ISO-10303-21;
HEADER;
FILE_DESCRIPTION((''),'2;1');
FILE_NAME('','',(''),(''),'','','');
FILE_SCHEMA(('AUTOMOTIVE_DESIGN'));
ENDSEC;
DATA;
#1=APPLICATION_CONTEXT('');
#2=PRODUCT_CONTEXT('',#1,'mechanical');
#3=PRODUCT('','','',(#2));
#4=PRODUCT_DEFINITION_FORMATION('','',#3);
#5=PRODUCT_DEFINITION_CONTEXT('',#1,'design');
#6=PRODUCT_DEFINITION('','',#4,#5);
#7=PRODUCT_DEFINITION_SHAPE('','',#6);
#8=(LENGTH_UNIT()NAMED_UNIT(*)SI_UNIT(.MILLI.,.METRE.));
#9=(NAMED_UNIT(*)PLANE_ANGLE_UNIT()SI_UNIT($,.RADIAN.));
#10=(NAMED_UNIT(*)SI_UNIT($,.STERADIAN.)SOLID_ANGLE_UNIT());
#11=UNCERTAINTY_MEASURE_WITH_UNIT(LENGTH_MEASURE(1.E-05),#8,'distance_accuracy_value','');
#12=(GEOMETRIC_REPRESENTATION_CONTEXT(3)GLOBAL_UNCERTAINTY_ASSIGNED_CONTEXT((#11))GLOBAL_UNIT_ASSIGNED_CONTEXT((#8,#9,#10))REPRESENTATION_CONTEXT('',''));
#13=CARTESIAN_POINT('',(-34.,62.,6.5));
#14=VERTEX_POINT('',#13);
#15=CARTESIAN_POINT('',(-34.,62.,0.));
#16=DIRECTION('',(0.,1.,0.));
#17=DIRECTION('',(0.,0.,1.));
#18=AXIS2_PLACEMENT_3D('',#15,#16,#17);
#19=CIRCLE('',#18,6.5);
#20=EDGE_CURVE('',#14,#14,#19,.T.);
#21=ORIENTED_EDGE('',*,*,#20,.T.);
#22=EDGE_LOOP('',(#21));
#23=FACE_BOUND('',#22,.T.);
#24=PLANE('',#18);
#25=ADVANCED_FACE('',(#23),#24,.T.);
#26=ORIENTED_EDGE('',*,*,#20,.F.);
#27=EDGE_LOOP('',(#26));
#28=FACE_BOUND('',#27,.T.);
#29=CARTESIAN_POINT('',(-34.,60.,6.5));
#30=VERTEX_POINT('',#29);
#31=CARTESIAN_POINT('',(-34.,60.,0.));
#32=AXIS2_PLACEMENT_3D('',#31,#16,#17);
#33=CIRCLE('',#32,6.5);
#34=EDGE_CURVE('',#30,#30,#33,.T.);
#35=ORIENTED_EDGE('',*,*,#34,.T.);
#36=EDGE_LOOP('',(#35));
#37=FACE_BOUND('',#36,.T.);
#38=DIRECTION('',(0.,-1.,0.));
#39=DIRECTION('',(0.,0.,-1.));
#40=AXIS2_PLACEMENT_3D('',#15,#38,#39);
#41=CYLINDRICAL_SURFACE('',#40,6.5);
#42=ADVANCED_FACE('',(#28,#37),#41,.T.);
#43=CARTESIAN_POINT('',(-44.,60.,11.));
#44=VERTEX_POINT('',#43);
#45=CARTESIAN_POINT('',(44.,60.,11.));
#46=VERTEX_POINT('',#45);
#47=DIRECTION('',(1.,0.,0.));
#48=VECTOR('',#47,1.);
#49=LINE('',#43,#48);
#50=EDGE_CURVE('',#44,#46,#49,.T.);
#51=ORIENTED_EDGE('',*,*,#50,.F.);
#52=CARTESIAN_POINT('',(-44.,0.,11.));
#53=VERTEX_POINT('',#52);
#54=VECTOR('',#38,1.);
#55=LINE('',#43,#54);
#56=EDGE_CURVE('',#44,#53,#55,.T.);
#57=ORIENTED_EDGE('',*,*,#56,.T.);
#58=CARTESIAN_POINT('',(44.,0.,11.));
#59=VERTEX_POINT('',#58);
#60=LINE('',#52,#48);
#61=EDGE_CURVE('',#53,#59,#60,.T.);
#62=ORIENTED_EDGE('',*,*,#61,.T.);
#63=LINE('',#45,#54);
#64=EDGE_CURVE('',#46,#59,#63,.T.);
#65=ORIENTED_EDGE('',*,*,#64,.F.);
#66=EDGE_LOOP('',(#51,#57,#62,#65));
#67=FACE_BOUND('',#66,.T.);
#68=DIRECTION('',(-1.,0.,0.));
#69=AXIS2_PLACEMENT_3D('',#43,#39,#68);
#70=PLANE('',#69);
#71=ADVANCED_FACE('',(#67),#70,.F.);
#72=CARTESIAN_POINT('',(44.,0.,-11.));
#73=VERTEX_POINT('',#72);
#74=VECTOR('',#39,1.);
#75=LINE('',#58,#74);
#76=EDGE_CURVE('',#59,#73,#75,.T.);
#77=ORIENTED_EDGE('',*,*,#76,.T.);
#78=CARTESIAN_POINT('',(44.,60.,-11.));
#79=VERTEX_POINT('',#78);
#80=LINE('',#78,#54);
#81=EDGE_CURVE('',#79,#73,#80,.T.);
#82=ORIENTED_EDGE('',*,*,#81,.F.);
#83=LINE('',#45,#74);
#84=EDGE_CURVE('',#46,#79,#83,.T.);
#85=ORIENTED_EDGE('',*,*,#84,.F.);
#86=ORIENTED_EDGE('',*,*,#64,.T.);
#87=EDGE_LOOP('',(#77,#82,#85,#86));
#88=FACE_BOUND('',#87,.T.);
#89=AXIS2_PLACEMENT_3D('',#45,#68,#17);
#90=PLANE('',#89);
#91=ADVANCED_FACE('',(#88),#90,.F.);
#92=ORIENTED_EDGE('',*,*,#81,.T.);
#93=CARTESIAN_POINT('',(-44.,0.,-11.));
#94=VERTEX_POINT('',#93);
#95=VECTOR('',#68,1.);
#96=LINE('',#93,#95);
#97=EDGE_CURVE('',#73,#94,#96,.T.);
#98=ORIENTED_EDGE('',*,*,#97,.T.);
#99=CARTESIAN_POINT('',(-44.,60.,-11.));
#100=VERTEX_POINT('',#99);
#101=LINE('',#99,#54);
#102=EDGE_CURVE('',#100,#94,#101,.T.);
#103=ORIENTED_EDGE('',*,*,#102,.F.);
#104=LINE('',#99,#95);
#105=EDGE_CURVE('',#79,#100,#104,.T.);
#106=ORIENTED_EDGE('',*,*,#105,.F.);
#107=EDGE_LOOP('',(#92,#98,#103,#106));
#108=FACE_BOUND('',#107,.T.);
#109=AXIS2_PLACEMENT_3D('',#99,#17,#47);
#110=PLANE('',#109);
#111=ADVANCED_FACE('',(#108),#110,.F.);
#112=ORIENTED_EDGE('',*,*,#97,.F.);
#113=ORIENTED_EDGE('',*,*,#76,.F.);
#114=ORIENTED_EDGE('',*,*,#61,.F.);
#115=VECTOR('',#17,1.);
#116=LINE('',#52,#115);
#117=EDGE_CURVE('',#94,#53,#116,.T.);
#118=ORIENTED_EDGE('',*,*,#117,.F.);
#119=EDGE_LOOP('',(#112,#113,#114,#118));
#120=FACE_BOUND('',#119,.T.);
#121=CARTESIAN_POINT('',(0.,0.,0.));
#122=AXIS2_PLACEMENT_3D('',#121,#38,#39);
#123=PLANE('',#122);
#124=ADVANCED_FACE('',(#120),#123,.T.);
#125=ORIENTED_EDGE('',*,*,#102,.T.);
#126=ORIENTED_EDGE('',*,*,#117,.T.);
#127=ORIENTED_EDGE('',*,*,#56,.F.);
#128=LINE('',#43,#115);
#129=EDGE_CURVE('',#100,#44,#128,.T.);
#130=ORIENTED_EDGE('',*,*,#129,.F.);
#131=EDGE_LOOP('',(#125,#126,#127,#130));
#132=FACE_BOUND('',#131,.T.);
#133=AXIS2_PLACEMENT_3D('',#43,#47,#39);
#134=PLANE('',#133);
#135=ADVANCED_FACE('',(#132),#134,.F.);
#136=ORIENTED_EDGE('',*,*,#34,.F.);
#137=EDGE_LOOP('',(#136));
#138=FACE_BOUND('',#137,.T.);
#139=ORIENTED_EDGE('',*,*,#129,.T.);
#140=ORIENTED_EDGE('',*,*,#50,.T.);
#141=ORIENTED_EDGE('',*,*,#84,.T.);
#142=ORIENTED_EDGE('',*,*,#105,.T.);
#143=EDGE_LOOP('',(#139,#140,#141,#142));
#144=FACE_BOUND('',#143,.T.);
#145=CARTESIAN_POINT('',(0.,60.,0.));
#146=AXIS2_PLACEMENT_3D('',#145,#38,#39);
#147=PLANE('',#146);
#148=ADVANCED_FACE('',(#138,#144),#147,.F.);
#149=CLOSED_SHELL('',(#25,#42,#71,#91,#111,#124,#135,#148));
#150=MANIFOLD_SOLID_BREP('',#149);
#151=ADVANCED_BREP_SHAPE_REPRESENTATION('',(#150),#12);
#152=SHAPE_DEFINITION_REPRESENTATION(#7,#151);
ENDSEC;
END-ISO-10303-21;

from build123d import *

# Parameters (mm, degrees)
SKETCH1_W           = 88
SKETCH1_H           = 22
SKETCH1_R           = 6.5
BOSS_EXTRUDE1_DEPTH = 60
SKETCH1_3_R         = 6.5
BOSS_EXTRUDE2_DEPTH = 62


with BuildPart() as part:
    # Sketch1 → Boss-Extrude1 (new body)
    with BuildSketch(Plane(origin=(0, 0, 0), x_dir=(1, 0, 0), z_dir=(0, 1, 0))):
        Rectangle(SKETCH1_W, SKETCH1_H)
        with Locations((-34, 0)):
            Circle(SKETCH1_R, mode=Mode.SUBTRACT)
    extrude(amount=BOSS_EXTRUDE1_DEPTH)

    # Sketch1<3> → Boss-Extrude2 (add)
    with BuildSketch(Plane(origin=(0, 0, 0), x_dir=(1, 0, 0), z_dir=(0, 1, 0))):
        with Locations((-34, 0)):
            Circle(SKETCH1_3_R)
    extrude(amount=BOSS_EXTRUDE2_DEPTH)


solid = part.part
